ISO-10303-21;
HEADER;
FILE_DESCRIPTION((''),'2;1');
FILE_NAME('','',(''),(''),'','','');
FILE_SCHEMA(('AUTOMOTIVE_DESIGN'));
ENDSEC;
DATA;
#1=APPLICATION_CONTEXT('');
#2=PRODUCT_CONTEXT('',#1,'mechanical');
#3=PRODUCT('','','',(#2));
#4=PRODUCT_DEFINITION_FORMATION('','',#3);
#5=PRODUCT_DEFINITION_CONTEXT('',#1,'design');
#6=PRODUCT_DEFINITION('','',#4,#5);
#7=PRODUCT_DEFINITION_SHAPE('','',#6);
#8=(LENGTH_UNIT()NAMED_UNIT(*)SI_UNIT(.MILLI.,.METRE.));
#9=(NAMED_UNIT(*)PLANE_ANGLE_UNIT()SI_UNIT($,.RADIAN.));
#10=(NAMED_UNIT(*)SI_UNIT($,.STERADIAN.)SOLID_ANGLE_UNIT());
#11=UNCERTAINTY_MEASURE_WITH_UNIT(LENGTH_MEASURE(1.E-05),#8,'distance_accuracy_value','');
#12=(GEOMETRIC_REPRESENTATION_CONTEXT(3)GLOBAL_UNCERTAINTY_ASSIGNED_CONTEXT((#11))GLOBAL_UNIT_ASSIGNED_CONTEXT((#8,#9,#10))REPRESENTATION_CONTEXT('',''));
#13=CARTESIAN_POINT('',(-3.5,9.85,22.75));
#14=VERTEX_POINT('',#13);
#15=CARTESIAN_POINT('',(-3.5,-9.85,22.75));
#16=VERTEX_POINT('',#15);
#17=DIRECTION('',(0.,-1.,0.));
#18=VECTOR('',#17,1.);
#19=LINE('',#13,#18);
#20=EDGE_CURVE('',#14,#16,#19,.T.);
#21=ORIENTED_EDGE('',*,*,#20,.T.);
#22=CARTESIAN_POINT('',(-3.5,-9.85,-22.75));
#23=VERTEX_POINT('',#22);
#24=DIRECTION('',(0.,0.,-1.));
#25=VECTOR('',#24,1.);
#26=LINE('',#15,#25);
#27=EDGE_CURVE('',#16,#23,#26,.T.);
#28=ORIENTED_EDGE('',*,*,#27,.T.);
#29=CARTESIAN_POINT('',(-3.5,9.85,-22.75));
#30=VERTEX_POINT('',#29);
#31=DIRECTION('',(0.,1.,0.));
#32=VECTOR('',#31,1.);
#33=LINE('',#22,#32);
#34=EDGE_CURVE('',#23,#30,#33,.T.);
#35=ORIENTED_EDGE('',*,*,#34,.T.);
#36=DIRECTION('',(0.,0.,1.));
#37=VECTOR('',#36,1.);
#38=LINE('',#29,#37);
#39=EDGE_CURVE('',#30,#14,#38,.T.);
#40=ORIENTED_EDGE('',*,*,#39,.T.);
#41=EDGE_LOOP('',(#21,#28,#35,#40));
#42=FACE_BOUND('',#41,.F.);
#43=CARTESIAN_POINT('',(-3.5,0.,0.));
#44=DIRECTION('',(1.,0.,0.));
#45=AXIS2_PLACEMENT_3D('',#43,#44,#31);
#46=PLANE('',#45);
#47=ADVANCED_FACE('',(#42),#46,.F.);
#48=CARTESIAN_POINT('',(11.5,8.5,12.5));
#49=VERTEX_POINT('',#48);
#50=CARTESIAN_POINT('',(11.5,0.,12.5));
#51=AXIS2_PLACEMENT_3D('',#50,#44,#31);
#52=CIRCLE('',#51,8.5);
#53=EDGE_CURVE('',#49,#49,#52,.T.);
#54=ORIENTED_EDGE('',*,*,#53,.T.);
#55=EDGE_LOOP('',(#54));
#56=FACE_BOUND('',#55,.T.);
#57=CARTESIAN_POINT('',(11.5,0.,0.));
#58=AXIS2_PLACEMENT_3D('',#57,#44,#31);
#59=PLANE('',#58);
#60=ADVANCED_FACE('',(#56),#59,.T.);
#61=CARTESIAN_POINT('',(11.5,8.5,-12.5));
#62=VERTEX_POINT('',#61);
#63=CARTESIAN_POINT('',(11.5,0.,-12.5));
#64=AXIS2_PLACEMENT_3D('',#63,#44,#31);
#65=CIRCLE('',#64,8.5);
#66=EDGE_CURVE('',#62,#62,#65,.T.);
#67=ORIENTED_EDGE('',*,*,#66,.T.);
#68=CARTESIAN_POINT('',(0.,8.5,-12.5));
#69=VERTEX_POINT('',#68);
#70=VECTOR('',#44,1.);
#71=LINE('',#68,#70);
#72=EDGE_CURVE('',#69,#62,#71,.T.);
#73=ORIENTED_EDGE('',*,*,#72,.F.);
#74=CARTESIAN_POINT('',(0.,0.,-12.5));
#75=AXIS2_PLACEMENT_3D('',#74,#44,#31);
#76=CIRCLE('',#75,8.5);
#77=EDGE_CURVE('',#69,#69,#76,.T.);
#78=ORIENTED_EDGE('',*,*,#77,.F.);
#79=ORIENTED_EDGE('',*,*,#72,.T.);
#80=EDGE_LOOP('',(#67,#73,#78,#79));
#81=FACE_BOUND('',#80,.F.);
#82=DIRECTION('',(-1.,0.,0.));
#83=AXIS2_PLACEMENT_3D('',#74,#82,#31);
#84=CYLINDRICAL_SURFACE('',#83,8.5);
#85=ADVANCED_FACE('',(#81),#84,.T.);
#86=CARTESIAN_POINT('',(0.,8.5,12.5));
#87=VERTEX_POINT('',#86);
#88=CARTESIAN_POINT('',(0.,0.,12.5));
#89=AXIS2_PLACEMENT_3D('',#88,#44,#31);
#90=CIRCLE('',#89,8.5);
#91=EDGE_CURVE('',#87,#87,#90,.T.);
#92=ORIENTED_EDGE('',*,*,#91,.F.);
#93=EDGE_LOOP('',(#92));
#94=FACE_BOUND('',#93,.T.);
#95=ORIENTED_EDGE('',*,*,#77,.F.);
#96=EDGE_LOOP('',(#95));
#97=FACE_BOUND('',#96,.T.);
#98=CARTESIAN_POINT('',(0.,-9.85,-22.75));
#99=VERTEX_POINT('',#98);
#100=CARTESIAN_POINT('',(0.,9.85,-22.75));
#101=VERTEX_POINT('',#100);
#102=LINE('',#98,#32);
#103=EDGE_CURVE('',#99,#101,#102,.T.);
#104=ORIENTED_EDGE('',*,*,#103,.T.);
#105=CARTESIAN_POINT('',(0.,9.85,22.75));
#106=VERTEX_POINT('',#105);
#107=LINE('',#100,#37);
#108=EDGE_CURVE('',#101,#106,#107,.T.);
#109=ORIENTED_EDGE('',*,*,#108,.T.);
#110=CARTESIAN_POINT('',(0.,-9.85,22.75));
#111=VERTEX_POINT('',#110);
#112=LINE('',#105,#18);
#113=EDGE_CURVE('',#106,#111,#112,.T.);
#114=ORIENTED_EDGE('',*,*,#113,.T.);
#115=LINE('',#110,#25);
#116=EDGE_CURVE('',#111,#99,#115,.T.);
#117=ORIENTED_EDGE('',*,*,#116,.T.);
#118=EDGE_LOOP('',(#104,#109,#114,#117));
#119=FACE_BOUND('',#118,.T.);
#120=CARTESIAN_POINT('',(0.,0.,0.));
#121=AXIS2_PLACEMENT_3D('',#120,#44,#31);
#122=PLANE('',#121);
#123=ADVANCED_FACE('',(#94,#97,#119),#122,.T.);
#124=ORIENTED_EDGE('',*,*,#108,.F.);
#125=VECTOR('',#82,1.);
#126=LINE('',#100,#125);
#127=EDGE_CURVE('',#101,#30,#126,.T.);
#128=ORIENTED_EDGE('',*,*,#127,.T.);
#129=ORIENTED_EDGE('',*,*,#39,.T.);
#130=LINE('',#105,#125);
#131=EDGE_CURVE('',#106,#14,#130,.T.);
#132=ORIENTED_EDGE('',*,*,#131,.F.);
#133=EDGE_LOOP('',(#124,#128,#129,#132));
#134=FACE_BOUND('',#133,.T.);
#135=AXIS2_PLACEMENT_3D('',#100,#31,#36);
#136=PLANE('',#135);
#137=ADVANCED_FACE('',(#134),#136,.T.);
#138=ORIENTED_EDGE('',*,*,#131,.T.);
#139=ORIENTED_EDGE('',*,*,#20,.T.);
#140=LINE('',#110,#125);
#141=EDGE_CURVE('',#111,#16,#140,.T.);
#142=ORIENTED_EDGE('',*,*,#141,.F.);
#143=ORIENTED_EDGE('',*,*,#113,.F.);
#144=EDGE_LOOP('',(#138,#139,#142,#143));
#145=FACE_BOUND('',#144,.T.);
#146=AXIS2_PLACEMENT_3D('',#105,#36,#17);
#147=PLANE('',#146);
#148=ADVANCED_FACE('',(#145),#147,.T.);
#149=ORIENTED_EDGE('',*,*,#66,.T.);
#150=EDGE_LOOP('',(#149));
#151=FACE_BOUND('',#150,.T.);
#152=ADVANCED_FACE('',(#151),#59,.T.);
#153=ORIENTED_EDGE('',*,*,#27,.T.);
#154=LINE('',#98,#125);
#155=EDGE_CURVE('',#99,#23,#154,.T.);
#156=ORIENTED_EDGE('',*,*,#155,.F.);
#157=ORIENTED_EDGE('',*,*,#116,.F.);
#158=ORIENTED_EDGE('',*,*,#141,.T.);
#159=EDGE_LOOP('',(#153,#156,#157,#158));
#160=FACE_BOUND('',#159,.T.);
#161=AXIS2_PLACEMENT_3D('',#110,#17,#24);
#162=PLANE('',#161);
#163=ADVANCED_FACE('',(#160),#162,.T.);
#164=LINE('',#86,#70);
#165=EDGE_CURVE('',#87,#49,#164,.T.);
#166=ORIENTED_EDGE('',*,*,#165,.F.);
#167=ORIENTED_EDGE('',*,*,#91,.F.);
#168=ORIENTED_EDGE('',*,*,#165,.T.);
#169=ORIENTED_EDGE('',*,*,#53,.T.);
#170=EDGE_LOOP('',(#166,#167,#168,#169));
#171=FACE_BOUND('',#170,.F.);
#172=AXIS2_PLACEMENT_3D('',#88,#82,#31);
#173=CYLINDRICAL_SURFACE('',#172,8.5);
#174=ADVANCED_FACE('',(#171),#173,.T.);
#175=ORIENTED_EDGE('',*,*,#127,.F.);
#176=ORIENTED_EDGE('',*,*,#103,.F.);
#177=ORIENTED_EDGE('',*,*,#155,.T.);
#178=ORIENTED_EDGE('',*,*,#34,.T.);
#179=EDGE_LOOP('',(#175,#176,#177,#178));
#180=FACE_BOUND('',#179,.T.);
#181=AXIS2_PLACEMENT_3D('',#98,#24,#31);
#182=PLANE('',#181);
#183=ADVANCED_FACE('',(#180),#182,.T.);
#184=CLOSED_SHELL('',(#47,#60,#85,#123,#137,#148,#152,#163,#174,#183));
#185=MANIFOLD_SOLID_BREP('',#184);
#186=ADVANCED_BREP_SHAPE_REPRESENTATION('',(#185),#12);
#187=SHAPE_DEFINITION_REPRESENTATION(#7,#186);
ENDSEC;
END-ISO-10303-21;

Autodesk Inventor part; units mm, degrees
ref_plane "YZ Plane" through (0, 0, 0) normal (1, 0, 0) x (0, 1, 0)
ref_plane "XZ Plane" through (0, 0, 0) normal (0, 1, 0) x (-1, 0, 0)
ref_plane "XY Plane" through (0, 0, 0) normal (0, 0, 1) x (1, 0, 0)
sketch "Sketch1" plane through (0, 0, 0) normal (1, 0, 0) x (0, 1, 0)
  line L0 (9.85, 22.75) -> (-9.85, 22.75)
  line L1 (-9.85, 22.75) -> (-9.85, -22.75)
  line L2 (-9.85, -22.75) -> (9.85, -22.75)
  line L3 (9.85, -22.75) -> (9.85, 22.75)
  circle A0 centre (0, 12.5) radius 8.5
  circle A1 centre (0, -12.5) radius 8.5
  line L4 (0, -12.5) -> (0, 12.5) construction
  point P0 (0, 0)
  point P1 (0, 0)
  point P2 (9.85, 0)
  point P3 (0, -22.75)
  dimension "d0" = 45.5
  dimension "d1" = 17
  dimension "d3" = 42
  dimension "d4" = 19.7
extrude "Extrusion1" add sketch "Sketch1" against normal blind 3.5 contours L3 L2 L1 L0 | A0 | A1
extrude "Extrusion2" add sketch "Sketch1" along normal blind 11.5 contours A0 | A1
properties part number "ultrasonic"
